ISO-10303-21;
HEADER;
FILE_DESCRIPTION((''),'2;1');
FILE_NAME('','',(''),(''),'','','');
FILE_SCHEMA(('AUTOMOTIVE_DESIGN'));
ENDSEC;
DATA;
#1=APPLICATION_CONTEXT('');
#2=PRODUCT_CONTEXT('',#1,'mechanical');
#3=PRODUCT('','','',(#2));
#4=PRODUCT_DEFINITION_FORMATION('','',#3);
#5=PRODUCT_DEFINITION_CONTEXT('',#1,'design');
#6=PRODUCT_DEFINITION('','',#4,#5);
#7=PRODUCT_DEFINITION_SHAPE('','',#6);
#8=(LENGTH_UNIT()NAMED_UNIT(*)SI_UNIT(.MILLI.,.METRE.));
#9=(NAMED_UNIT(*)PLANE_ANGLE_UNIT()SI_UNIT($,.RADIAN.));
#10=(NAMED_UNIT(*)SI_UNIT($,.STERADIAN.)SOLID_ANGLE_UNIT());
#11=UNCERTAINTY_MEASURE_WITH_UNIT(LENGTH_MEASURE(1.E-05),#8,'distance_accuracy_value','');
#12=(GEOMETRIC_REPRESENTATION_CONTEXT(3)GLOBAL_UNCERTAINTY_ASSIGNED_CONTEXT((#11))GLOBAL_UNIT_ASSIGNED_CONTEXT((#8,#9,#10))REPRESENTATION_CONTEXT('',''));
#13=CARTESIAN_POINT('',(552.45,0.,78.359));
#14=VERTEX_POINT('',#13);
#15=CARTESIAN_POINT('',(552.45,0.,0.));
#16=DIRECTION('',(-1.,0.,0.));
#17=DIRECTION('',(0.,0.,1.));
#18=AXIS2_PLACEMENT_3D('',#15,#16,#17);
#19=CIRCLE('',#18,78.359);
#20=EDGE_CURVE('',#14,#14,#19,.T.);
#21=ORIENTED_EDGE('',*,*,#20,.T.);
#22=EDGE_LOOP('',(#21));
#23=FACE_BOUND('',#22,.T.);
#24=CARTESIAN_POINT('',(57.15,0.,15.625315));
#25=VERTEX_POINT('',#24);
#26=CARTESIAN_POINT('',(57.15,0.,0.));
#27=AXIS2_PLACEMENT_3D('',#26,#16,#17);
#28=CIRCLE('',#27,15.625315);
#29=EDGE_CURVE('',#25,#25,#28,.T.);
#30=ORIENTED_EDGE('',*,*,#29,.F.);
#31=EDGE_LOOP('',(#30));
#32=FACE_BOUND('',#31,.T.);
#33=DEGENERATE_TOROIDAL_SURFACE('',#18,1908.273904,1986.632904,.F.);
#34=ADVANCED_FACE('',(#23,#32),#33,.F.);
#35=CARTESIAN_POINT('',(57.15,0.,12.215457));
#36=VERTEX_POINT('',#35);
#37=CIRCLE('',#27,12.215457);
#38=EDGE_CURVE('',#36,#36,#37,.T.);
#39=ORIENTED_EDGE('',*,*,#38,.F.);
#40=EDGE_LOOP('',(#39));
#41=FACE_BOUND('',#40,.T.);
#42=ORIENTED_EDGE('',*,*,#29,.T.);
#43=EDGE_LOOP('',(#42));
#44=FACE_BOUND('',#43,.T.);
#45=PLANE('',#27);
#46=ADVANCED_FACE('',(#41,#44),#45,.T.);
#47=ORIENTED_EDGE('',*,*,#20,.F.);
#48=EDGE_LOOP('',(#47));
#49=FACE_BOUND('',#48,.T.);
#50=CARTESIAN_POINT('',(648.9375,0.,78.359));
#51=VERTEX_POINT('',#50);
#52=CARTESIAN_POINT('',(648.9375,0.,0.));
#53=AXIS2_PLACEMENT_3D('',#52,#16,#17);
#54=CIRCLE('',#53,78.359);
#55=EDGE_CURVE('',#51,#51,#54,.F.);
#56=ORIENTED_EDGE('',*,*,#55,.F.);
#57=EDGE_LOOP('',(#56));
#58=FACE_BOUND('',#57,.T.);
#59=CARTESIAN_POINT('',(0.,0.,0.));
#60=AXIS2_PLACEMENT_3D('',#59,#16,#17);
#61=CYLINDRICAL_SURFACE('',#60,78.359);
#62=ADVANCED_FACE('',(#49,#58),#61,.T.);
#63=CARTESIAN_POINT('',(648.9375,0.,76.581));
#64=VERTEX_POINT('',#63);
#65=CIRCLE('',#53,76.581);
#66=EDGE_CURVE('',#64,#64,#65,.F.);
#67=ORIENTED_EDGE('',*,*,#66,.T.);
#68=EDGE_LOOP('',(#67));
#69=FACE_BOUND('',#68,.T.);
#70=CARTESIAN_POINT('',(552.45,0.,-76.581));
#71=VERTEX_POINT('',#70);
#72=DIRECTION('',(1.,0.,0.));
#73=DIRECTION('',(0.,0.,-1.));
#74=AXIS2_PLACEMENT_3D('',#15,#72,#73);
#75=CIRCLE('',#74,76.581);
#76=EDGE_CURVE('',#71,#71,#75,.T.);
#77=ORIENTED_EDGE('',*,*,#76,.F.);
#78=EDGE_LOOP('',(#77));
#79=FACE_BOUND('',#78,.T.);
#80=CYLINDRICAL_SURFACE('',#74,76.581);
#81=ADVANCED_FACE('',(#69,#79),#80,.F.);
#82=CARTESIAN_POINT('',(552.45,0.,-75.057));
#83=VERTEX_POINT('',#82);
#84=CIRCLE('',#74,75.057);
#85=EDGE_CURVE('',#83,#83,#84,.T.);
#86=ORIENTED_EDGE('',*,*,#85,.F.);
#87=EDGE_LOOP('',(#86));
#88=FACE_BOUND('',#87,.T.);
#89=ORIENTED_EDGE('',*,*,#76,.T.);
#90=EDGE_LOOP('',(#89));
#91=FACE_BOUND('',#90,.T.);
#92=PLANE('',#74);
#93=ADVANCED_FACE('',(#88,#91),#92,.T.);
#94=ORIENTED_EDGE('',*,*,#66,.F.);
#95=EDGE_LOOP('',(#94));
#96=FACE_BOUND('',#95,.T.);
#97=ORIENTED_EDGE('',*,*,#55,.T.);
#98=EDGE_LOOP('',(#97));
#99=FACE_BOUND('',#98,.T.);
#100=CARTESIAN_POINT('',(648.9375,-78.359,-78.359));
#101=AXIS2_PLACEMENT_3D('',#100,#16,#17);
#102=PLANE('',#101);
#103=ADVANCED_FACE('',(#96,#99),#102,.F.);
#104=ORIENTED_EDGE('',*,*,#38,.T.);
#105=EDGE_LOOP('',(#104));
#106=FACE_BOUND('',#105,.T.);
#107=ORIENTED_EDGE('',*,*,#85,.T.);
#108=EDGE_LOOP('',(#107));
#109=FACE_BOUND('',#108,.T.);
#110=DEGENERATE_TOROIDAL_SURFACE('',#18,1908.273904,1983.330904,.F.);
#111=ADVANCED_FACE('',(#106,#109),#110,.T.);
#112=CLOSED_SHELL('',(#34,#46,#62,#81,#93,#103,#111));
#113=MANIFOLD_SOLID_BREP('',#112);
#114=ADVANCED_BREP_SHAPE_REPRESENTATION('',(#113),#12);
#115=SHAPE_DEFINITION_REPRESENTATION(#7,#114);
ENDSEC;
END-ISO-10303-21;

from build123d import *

# Parameters (mm, degrees)
OGIVE_SHELL_T           = -3.302
SKETCH7_R               = 76.581
CUT_EXTRUDE8_DEPTH      = 101.6
SKETCH3_W               = 5.112500062
SKETCH3_H               = 156.718
CUT_EXTRUDE5_DEPTH      = 664.371440668
CUT_EXTRUDE5_DEPTH_BACK = 664.371440668


with BuildPart() as part:
    # Ogive Sketch → Ogive Body Revolve (revolve)
    with BuildSketch(Plane.XY, mode=Mode.PRIVATE) as ogive_body_revolve_sk:
        with BuildLine():
            Line((57.15, 0), (654.05, 0))
            Line((654.05, 0), (654.05, 78.359))
            Line((654.05, 78.359), (552.45, 78.359))
            ThreePointArc((552.45, 78.359), (302.821473374, 62.613179), (57.15, 15.625315086))
            Line((57.15, 15.625315086), (57.15, 0))
        make_face()
    revolve(ogive_body_revolve_sk.sketch.rotate(Axis((0, 0, 0), (1, 0, 0)), 90), axis=Axis((0, 0, 0), (1, 0, 0)))

    # Ogive Shell
    ogive_shell_openings = [part.faces().sort_by_distance(p)[0] for p in [
        (654.05, 0, 0),
        (57.15, 0, 0),
    ]]
    offset(amount=OGIVE_SHELL_T, openings=ogive_shell_openings, kind=Kind.INTERSECTION)

    # Sketch7 → Cut-Extrude8 (cut)
    with BuildSketch(Plane(origin=(654.05, 0, 0), x_dir=(0, 0, -1), z_dir=(1, 0, 0))):
        Circle(SKETCH7_R)
    extrude(amount=-CUT_EXTRUDE8_DEPTH, mode=Mode.SUBTRACT)

    # Sketch3 → Cut-Extrude5 (cut, two sides)
    with BuildSketch(Plane(origin=(0, 0, 0), x_dir=(1, 0, 0), z_dir=(0, 1, 0))) as cut_extrude5_sk:
        with Locations((651.493749969, 0)):
            Rectangle(SKETCH3_W, SKETCH3_H)
    extrude(amount=CUT_EXTRUDE5_DEPTH, mode=Mode.SUBTRACT)
    extrude(cut_extrude5_sk.sketch, amount=-CUT_EXTRUDE5_DEPTH_BACK, mode=Mode.SUBTRACT)


solid = part.part
